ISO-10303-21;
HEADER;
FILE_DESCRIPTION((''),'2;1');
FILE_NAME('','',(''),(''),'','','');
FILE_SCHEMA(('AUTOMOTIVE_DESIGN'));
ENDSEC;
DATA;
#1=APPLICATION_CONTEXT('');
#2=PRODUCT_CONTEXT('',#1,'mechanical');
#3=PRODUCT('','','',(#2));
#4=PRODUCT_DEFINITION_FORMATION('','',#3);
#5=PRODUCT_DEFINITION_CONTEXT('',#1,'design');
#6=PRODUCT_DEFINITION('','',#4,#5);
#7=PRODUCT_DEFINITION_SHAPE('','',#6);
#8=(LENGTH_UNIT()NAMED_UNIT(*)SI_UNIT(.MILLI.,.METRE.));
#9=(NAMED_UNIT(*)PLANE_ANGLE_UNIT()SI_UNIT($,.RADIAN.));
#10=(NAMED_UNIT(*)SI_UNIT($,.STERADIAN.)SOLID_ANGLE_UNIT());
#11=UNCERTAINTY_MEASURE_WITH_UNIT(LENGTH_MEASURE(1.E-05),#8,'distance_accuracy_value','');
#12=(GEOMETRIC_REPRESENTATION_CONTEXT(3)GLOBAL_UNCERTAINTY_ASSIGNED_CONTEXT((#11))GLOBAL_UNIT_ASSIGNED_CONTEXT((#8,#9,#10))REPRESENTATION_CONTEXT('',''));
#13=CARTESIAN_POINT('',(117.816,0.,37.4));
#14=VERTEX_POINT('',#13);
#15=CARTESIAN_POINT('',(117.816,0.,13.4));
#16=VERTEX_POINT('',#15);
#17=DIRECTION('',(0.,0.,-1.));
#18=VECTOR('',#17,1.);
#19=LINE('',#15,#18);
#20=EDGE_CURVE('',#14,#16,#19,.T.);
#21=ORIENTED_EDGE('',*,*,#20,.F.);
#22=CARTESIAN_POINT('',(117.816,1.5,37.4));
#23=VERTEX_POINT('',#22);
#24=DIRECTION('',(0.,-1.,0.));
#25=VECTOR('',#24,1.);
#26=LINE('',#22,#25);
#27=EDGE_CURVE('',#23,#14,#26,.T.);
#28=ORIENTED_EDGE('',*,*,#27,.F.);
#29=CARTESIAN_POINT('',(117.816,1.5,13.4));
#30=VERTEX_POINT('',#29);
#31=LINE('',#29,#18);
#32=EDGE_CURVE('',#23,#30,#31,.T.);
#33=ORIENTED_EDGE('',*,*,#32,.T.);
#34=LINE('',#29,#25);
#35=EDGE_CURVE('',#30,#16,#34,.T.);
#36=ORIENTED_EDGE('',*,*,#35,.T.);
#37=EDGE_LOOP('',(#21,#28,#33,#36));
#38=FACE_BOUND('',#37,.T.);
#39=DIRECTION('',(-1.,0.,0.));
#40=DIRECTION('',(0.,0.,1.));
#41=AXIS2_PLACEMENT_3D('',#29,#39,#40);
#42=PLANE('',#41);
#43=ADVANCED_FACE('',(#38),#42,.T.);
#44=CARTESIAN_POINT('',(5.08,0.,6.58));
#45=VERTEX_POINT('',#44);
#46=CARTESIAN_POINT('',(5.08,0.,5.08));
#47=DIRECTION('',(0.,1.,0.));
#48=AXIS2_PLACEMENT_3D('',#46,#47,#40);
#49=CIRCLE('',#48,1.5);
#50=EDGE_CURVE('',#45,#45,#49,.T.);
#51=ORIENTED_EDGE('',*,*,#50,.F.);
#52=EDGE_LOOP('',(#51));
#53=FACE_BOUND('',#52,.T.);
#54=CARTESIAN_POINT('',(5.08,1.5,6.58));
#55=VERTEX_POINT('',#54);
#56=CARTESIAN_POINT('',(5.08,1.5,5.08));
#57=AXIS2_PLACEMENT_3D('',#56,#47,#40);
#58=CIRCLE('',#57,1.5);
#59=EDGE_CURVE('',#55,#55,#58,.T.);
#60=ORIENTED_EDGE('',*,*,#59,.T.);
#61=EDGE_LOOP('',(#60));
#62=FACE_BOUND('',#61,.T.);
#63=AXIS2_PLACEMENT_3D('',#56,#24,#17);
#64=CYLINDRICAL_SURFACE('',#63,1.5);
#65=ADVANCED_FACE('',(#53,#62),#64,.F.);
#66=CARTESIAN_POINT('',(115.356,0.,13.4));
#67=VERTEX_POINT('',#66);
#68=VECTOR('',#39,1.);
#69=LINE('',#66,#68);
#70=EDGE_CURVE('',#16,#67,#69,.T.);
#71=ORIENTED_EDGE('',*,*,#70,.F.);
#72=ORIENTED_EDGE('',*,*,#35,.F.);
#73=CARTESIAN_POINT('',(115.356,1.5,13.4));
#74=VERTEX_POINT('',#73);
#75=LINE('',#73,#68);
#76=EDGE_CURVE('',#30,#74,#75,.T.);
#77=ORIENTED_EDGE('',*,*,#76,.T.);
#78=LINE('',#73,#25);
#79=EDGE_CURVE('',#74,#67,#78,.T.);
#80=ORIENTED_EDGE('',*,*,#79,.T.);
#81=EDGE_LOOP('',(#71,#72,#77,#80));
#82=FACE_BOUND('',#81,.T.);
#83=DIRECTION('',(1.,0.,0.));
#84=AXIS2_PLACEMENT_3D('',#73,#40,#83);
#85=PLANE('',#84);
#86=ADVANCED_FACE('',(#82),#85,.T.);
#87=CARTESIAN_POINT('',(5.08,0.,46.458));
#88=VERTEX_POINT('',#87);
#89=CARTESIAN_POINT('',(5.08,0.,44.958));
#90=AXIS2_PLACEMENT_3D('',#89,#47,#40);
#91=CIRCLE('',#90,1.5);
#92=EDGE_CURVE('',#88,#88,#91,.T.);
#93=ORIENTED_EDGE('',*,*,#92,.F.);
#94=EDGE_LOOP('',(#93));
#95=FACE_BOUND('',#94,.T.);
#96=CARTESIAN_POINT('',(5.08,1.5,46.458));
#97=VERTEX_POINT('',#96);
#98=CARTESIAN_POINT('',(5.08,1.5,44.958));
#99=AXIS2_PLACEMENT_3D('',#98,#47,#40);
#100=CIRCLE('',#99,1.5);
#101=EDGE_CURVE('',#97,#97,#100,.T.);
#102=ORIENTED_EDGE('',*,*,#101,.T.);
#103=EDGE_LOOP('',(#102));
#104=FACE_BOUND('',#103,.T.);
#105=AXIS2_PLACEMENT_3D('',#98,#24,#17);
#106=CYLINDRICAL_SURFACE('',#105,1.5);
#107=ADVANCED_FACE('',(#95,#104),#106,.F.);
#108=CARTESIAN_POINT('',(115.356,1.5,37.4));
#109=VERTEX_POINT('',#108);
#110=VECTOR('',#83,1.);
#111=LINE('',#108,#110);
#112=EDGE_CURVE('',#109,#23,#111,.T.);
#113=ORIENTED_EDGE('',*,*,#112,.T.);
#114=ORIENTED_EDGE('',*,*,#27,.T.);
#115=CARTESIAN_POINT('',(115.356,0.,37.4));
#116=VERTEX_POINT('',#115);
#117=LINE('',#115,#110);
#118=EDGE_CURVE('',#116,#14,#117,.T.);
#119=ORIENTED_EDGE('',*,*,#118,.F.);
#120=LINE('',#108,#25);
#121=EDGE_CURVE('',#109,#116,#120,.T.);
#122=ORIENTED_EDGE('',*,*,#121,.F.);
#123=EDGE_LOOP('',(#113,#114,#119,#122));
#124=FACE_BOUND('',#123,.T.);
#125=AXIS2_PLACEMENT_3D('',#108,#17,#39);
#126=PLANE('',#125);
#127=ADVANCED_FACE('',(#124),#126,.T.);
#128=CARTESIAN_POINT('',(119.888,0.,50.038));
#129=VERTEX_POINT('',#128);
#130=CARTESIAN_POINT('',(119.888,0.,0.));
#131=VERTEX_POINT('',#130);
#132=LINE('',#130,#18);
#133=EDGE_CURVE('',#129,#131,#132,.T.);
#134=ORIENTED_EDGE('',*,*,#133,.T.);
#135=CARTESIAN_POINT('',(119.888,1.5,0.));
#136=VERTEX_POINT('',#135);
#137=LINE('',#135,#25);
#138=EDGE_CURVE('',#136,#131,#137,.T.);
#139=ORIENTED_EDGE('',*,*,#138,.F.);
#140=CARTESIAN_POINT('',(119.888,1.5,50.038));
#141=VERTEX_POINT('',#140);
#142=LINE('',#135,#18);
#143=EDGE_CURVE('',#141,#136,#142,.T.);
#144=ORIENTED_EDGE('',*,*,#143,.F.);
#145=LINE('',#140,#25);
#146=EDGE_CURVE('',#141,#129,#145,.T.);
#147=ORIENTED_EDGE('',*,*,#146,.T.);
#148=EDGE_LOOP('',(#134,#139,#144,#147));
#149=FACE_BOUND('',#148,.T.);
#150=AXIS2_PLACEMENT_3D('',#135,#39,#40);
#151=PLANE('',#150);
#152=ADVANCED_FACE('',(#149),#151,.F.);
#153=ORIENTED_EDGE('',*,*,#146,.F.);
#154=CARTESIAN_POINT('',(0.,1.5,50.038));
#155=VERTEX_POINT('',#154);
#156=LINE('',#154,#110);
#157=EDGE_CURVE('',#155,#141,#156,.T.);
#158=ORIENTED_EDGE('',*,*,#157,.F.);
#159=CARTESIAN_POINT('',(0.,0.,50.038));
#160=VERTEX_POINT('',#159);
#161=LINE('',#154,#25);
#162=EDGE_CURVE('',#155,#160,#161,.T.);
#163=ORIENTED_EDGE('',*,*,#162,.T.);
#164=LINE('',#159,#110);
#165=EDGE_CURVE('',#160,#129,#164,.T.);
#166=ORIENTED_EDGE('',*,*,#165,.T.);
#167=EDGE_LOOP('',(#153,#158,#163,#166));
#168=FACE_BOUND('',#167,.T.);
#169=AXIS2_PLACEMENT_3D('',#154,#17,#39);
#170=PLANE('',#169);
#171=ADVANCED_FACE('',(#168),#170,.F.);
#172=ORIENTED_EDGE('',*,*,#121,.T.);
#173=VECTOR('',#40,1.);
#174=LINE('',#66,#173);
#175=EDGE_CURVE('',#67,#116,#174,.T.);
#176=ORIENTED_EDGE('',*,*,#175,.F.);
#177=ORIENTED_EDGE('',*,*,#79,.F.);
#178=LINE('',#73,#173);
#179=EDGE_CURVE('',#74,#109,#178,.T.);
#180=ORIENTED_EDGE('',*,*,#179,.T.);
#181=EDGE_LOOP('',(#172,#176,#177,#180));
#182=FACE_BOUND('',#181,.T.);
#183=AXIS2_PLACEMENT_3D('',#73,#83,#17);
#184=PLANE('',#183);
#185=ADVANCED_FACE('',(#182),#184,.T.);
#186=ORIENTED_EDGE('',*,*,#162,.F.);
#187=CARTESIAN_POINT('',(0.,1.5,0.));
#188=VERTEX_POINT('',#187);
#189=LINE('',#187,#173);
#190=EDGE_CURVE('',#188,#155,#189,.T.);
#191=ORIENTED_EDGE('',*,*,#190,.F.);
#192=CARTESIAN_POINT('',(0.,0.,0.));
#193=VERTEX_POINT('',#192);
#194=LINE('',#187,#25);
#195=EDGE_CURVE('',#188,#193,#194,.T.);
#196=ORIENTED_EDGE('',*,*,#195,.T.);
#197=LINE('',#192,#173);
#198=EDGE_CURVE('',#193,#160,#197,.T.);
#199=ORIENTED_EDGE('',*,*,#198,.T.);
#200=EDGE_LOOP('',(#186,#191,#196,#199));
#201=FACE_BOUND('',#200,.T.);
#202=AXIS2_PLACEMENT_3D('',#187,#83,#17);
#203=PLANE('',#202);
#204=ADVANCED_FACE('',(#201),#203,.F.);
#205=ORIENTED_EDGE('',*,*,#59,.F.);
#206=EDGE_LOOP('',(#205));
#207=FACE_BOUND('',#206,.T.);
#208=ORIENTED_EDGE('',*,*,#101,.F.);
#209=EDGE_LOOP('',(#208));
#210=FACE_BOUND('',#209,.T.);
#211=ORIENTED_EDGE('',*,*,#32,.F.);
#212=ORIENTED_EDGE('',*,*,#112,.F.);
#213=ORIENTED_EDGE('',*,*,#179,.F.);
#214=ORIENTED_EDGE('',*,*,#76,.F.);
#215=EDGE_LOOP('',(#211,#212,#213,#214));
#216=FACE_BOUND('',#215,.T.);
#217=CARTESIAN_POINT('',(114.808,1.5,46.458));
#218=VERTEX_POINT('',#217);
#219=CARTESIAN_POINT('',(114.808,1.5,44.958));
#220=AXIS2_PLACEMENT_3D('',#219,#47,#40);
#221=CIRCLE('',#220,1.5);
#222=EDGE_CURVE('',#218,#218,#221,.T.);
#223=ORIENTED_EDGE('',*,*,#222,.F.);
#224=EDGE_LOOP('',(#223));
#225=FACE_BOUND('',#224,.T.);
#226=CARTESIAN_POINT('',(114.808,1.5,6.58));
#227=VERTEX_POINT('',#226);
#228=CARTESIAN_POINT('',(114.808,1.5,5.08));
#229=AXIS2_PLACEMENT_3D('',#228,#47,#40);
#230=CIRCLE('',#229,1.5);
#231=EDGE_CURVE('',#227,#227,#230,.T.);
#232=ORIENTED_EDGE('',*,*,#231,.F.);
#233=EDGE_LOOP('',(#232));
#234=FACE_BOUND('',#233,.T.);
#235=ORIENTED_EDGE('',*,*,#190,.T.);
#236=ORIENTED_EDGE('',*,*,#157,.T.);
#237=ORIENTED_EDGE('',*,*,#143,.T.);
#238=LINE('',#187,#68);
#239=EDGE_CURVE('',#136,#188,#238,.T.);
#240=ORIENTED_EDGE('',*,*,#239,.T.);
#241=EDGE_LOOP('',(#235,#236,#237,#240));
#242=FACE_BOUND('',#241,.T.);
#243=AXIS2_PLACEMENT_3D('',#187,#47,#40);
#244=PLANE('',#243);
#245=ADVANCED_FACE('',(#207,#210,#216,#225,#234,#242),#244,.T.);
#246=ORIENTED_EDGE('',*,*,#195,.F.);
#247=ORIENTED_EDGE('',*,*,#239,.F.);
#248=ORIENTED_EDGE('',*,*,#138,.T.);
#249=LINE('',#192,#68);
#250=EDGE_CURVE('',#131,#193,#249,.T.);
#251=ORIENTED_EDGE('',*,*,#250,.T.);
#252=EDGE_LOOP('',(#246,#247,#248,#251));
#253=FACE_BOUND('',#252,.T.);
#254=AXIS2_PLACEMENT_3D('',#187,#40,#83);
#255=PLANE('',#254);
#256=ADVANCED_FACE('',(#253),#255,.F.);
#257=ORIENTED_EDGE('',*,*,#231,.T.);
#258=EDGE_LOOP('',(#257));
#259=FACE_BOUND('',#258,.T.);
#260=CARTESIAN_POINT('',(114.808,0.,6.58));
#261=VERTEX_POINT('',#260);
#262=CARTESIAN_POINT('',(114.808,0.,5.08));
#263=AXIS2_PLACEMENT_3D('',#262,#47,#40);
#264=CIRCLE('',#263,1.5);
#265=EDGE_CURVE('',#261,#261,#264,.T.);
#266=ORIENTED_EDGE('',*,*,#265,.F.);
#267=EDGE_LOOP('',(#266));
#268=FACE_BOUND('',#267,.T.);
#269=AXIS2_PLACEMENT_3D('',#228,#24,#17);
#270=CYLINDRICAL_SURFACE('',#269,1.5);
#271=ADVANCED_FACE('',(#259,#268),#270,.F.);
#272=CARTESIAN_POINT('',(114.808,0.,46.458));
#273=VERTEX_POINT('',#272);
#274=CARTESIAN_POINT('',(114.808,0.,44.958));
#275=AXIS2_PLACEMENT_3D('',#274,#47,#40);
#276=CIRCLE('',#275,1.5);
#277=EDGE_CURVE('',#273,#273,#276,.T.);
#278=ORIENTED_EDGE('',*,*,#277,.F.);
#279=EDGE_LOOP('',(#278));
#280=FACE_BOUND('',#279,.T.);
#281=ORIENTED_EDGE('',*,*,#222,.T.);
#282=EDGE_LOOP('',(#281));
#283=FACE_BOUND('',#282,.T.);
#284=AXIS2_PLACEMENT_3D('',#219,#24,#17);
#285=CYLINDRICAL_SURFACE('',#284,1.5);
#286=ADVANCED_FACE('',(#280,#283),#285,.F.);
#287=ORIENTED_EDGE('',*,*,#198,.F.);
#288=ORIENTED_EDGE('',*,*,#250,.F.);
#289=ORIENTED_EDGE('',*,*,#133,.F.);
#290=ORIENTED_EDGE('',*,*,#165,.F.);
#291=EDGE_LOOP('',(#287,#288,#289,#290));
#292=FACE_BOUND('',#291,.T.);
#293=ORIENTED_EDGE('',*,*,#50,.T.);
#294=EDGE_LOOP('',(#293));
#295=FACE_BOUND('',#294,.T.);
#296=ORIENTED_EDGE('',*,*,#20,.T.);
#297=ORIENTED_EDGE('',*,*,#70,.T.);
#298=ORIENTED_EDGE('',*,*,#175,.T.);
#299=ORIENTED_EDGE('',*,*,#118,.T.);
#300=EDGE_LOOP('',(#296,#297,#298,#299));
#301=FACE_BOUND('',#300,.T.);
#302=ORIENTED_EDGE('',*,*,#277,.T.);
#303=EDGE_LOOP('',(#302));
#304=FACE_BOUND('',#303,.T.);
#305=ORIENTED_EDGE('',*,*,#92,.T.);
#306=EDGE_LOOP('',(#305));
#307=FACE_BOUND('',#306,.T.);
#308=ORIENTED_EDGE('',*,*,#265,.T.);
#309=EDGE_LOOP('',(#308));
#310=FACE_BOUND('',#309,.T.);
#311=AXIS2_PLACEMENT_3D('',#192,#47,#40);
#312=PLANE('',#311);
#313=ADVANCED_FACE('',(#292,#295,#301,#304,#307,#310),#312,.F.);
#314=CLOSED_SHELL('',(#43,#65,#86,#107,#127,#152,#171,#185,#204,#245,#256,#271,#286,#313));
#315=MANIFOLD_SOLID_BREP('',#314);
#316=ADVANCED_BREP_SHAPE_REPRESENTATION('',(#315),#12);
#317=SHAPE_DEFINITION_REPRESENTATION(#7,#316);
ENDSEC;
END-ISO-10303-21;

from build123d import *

# Parameters (mm, degrees)
SKETCH1_W           = 119.888
SKETCH1_H           = 50.038
SKETCH1_R           = 1.5
SKETCH1_W_2         = 2.46
SKETCH1_H_2         = 24
BOSS_EXTRUDE1_DEPTH = 1.5


with BuildPart() as part:
    # Sketch1 → Boss-Extrude1 (new body)
    with BuildSketch(Plane(origin=(0, 0, 0), x_dir=(1, 0, 0), z_dir=(0, 1, 0))):
        with Locations((59.944, -25.019)):
            Rectangle(SKETCH1_W, SKETCH1_H)
        with Locations(Location((5.08, -5.08, 0), (0, 0, 270))):
            Circle(SKETCH1_R, mode=Mode.SUBTRACT)
        with Locations(Location((114.808, -5.08, 0), (0, 0, 270))):
            Circle(SKETCH1_R, mode=Mode.SUBTRACT)
        with Locations(Location((114.808, -44.958, 0), (0, 0, 270))):
            Circle(SKETCH1_R, mode=Mode.SUBTRACT)
        with Locations(Location((5.08, -44.958, 0), (0, 0, 270))):
            Circle(SKETCH1_R, mode=Mode.SUBTRACT)
        with Locations((116.586, -25.4)):
            Rectangle(SKETCH1_W_2, SKETCH1_H_2, mode=Mode.SUBTRACT)
    extrude(amount=BOSS_EXTRUDE1_DEPTH)


solid = part.part
